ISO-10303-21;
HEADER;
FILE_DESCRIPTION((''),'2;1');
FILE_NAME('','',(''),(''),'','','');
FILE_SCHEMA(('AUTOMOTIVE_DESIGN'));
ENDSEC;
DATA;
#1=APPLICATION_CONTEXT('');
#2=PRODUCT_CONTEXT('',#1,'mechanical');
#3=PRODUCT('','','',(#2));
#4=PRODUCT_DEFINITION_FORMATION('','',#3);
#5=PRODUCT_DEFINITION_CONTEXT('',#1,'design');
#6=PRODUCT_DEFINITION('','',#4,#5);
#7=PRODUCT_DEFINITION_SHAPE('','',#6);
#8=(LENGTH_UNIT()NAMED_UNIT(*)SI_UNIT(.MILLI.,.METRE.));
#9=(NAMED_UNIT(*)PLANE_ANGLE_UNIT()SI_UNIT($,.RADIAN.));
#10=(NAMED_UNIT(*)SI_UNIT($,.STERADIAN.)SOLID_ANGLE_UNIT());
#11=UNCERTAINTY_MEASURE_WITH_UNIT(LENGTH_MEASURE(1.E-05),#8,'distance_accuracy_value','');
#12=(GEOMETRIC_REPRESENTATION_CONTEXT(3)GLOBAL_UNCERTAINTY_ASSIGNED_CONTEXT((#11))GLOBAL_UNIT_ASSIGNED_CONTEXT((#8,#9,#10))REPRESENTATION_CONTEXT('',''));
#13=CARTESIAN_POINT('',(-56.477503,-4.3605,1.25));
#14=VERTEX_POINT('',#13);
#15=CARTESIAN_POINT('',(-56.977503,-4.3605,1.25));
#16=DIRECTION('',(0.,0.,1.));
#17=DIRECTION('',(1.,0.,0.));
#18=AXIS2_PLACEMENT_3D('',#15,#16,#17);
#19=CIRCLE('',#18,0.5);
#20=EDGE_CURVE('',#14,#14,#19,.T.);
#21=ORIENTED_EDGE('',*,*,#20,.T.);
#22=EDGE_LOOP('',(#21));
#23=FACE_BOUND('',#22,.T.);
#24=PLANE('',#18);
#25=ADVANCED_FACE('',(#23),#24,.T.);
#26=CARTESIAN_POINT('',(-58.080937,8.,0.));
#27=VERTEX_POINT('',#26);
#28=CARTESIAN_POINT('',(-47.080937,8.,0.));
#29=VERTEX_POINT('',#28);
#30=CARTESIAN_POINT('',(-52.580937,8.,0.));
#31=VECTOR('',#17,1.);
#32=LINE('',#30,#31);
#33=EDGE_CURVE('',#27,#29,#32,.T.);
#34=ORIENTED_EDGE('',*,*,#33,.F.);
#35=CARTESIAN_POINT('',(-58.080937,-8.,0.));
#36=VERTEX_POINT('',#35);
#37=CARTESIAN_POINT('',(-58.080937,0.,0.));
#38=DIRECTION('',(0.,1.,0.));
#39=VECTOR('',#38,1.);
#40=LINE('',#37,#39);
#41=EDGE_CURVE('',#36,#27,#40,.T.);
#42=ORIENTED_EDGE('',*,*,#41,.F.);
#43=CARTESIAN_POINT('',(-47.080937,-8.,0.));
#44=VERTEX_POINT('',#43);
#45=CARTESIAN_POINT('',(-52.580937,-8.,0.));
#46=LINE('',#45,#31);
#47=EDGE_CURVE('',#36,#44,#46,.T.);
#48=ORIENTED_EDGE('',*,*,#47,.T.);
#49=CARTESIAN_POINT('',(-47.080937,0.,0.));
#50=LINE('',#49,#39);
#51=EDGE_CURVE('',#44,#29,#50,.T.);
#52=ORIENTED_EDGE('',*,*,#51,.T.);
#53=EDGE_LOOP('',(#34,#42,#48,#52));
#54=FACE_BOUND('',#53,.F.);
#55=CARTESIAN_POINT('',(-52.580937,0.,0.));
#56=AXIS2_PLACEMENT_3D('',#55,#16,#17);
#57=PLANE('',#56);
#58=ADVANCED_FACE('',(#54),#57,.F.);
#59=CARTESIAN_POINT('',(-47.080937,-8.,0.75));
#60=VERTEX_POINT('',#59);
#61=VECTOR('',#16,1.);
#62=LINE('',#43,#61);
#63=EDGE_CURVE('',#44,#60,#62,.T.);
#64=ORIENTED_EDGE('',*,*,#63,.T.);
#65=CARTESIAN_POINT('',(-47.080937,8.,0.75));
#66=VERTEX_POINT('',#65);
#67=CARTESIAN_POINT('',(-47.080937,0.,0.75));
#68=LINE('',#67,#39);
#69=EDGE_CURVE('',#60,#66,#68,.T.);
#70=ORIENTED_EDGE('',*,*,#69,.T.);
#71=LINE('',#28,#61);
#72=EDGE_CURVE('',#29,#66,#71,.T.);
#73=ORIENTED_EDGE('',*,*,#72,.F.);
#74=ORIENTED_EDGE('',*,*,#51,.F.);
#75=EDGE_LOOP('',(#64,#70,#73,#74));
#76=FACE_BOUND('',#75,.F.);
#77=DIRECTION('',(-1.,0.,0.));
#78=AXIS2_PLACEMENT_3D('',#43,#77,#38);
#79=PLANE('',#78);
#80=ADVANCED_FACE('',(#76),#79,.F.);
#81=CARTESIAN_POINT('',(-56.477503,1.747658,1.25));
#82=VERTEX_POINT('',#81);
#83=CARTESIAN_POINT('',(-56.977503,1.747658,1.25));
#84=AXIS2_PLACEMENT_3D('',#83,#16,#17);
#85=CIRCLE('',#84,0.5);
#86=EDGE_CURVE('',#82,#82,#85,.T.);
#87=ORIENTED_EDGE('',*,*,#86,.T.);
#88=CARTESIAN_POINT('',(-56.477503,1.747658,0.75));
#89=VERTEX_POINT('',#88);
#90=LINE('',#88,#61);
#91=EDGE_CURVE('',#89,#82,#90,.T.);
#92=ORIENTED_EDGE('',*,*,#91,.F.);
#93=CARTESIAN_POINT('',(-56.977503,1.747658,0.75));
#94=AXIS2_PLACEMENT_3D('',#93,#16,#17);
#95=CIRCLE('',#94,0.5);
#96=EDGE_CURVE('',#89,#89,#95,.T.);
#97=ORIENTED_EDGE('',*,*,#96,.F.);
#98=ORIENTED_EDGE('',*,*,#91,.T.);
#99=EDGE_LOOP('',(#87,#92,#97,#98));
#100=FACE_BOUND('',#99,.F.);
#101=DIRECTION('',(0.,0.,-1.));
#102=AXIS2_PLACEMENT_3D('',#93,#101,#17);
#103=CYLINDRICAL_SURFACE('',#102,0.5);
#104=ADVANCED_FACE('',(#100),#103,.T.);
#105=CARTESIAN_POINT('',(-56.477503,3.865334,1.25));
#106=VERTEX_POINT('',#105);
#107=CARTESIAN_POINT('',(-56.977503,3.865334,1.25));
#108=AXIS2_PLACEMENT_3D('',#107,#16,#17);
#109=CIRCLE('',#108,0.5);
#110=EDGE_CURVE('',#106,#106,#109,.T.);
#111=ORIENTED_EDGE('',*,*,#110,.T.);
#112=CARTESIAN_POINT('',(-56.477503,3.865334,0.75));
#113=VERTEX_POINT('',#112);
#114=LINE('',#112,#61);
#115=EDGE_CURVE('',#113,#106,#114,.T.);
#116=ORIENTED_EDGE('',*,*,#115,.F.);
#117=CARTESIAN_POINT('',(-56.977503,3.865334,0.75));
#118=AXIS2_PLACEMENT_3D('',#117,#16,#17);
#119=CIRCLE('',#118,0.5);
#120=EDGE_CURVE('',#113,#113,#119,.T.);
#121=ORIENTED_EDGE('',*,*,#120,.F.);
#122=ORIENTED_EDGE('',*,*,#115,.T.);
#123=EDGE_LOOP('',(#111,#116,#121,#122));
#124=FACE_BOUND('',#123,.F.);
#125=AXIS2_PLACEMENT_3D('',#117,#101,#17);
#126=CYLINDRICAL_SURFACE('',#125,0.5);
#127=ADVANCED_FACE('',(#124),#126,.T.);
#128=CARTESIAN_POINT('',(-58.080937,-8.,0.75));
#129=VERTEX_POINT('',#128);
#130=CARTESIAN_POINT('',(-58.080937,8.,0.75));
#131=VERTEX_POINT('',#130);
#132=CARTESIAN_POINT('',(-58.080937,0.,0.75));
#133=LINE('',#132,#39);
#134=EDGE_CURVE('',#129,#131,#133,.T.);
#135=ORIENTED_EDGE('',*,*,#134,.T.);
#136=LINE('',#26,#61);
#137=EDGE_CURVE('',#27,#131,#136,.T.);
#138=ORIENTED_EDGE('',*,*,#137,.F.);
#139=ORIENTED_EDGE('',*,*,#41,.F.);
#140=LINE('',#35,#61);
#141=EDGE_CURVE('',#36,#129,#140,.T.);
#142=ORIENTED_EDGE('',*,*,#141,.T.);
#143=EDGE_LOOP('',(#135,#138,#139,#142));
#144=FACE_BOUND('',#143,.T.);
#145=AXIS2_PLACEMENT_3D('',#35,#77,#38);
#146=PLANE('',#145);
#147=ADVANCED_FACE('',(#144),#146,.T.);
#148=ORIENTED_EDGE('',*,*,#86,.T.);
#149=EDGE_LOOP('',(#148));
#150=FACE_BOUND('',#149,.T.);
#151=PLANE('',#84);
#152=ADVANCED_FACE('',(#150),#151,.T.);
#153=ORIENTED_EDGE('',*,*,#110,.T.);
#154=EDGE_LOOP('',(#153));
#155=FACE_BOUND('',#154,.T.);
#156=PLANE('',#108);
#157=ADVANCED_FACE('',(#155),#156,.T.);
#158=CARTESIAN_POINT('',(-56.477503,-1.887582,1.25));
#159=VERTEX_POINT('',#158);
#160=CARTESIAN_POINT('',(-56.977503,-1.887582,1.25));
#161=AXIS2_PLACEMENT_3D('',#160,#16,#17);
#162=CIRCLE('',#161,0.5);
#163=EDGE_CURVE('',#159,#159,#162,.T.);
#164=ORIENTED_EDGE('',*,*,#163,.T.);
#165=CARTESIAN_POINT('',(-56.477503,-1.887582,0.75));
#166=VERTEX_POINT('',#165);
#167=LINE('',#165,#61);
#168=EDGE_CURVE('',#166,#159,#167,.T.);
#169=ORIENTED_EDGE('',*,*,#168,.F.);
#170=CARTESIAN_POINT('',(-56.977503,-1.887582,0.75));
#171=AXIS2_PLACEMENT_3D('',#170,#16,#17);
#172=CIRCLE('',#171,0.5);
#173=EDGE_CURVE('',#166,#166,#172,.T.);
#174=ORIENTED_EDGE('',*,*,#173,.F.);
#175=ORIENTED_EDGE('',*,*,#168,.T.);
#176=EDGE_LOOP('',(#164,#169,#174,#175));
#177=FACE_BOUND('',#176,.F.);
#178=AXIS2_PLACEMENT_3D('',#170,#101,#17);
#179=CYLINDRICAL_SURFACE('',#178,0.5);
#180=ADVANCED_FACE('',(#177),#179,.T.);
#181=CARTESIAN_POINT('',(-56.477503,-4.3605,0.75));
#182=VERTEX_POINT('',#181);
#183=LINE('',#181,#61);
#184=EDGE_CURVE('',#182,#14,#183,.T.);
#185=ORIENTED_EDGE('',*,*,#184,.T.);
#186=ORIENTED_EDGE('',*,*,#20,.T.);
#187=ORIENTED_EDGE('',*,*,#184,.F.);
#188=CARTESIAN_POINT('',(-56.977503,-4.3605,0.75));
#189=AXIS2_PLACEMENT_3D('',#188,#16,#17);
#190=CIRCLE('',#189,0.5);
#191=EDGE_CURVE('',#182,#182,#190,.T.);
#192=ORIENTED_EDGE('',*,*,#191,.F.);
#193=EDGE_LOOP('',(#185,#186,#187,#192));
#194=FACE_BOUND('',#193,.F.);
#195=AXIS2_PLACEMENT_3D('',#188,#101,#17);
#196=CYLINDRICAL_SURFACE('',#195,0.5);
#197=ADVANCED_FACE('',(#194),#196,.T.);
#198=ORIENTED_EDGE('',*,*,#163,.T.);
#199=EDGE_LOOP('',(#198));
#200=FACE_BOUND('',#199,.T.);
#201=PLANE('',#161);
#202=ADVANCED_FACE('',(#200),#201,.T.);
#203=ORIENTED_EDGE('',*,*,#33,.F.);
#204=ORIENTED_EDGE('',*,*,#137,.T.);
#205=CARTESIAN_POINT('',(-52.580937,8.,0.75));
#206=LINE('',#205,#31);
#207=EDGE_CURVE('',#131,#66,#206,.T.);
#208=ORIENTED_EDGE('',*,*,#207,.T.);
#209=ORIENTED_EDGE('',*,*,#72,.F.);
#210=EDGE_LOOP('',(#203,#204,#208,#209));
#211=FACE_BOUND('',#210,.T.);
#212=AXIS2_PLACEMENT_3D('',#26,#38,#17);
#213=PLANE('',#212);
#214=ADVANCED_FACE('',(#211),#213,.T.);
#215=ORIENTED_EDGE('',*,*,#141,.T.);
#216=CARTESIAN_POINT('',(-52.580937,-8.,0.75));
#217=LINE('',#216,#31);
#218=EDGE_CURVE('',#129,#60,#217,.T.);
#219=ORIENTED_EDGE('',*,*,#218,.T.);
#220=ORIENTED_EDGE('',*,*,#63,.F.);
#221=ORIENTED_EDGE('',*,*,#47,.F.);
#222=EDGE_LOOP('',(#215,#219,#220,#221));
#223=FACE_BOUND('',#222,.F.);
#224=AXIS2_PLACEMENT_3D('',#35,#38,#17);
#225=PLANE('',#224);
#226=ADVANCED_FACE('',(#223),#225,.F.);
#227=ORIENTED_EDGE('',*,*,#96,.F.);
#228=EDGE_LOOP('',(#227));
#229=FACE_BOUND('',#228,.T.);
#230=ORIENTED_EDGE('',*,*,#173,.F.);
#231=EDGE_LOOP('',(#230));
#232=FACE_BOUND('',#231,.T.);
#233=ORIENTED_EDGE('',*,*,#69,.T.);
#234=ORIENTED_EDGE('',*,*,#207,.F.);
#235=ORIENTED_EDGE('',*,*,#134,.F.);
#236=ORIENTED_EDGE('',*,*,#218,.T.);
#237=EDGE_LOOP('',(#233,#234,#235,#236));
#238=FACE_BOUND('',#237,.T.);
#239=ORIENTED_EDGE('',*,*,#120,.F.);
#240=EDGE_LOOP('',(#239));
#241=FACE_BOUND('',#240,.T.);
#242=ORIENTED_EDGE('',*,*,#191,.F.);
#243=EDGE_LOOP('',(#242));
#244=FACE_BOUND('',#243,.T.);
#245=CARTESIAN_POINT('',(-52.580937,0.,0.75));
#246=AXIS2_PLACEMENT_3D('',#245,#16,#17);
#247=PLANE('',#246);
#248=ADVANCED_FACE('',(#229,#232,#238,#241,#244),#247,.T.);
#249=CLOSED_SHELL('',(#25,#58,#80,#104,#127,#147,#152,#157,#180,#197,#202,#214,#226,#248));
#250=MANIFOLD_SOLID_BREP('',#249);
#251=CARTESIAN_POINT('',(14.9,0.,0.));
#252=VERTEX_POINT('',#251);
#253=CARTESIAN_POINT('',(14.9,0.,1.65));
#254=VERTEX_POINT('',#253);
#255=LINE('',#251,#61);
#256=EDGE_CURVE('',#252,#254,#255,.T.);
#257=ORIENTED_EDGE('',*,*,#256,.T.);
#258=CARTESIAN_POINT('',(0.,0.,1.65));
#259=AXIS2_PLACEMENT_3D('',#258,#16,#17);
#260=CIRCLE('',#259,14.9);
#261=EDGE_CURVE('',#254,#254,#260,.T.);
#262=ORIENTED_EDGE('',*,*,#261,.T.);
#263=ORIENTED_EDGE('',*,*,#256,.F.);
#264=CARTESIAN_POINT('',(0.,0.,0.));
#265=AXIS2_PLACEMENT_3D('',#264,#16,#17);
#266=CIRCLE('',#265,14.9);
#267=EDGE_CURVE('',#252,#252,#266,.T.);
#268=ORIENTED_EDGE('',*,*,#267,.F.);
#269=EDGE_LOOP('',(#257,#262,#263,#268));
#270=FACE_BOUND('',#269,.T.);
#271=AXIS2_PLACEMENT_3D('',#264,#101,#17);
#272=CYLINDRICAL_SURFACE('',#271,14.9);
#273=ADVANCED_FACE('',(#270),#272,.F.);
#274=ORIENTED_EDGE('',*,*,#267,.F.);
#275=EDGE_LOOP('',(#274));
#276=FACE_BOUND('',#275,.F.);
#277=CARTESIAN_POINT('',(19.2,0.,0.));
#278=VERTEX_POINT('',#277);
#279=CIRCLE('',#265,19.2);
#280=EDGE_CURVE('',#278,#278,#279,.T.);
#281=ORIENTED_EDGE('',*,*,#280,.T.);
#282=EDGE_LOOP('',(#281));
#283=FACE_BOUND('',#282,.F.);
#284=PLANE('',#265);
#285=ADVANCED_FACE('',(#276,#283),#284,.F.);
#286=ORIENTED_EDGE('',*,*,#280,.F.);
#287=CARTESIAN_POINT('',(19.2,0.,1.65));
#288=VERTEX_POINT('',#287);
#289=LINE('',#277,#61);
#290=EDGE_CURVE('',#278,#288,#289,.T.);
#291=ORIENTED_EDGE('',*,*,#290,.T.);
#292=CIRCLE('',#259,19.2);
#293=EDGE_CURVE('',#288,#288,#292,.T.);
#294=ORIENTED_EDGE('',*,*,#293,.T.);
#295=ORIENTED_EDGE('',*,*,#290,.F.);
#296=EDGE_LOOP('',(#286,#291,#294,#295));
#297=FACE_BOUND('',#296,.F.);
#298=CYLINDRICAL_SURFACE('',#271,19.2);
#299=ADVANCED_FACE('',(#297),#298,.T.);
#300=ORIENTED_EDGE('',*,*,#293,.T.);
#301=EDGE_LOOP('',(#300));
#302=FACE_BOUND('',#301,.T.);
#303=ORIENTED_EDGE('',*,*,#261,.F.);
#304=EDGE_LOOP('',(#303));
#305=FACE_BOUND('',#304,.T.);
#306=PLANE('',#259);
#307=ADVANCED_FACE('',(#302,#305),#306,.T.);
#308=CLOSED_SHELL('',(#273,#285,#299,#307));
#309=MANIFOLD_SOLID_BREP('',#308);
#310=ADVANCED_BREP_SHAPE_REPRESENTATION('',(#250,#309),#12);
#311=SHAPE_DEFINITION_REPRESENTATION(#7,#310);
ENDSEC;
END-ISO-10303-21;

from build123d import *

# Parameters (mm, degrees)
F0_R     = 19.2
F0_R_2   = 14.9
F1_DEPTH = 1.65
F2_W     = 11
F2_H     = 16
F3_DEPTH = 0.75
F4_R     = 0.5
F5_DEPTH = 0.5


with BuildPart() as f1:
    # F0 (on Top) → F1 (new body)
    with BuildSketch(Plane.XY):
        Circle(F0_R)
        Circle(F0_R_2, mode=Mode.SUBTRACT)
    extrude(amount=F1_DEPTH)


with BuildPart() as f3:
    # F2 (on Top) → F3 (new body)
    with BuildSketch(Plane.XY):
        with Locations((-52.580937, 0)):
            Rectangle(F2_W, F2_H)
    extrude(amount=F3_DEPTH)

    # F4 (on face) → F5 (join)
    with BuildSketch(Plane.XY.offset(0.75)):
        with Locations((-56.977503, 3.865334)):
            Circle(F4_R)
        with Locations((-56.977503, 1.747658)):
            Circle(F4_R)
        with Locations((-56.977503, -1.887582)):
            Circle(F4_R)
        with Locations((-56.977503, -4.3605)):
            Circle(F4_R)
    extrude(amount=F5_DEPTH)


solid = Compound([f1.part, f3.part])
